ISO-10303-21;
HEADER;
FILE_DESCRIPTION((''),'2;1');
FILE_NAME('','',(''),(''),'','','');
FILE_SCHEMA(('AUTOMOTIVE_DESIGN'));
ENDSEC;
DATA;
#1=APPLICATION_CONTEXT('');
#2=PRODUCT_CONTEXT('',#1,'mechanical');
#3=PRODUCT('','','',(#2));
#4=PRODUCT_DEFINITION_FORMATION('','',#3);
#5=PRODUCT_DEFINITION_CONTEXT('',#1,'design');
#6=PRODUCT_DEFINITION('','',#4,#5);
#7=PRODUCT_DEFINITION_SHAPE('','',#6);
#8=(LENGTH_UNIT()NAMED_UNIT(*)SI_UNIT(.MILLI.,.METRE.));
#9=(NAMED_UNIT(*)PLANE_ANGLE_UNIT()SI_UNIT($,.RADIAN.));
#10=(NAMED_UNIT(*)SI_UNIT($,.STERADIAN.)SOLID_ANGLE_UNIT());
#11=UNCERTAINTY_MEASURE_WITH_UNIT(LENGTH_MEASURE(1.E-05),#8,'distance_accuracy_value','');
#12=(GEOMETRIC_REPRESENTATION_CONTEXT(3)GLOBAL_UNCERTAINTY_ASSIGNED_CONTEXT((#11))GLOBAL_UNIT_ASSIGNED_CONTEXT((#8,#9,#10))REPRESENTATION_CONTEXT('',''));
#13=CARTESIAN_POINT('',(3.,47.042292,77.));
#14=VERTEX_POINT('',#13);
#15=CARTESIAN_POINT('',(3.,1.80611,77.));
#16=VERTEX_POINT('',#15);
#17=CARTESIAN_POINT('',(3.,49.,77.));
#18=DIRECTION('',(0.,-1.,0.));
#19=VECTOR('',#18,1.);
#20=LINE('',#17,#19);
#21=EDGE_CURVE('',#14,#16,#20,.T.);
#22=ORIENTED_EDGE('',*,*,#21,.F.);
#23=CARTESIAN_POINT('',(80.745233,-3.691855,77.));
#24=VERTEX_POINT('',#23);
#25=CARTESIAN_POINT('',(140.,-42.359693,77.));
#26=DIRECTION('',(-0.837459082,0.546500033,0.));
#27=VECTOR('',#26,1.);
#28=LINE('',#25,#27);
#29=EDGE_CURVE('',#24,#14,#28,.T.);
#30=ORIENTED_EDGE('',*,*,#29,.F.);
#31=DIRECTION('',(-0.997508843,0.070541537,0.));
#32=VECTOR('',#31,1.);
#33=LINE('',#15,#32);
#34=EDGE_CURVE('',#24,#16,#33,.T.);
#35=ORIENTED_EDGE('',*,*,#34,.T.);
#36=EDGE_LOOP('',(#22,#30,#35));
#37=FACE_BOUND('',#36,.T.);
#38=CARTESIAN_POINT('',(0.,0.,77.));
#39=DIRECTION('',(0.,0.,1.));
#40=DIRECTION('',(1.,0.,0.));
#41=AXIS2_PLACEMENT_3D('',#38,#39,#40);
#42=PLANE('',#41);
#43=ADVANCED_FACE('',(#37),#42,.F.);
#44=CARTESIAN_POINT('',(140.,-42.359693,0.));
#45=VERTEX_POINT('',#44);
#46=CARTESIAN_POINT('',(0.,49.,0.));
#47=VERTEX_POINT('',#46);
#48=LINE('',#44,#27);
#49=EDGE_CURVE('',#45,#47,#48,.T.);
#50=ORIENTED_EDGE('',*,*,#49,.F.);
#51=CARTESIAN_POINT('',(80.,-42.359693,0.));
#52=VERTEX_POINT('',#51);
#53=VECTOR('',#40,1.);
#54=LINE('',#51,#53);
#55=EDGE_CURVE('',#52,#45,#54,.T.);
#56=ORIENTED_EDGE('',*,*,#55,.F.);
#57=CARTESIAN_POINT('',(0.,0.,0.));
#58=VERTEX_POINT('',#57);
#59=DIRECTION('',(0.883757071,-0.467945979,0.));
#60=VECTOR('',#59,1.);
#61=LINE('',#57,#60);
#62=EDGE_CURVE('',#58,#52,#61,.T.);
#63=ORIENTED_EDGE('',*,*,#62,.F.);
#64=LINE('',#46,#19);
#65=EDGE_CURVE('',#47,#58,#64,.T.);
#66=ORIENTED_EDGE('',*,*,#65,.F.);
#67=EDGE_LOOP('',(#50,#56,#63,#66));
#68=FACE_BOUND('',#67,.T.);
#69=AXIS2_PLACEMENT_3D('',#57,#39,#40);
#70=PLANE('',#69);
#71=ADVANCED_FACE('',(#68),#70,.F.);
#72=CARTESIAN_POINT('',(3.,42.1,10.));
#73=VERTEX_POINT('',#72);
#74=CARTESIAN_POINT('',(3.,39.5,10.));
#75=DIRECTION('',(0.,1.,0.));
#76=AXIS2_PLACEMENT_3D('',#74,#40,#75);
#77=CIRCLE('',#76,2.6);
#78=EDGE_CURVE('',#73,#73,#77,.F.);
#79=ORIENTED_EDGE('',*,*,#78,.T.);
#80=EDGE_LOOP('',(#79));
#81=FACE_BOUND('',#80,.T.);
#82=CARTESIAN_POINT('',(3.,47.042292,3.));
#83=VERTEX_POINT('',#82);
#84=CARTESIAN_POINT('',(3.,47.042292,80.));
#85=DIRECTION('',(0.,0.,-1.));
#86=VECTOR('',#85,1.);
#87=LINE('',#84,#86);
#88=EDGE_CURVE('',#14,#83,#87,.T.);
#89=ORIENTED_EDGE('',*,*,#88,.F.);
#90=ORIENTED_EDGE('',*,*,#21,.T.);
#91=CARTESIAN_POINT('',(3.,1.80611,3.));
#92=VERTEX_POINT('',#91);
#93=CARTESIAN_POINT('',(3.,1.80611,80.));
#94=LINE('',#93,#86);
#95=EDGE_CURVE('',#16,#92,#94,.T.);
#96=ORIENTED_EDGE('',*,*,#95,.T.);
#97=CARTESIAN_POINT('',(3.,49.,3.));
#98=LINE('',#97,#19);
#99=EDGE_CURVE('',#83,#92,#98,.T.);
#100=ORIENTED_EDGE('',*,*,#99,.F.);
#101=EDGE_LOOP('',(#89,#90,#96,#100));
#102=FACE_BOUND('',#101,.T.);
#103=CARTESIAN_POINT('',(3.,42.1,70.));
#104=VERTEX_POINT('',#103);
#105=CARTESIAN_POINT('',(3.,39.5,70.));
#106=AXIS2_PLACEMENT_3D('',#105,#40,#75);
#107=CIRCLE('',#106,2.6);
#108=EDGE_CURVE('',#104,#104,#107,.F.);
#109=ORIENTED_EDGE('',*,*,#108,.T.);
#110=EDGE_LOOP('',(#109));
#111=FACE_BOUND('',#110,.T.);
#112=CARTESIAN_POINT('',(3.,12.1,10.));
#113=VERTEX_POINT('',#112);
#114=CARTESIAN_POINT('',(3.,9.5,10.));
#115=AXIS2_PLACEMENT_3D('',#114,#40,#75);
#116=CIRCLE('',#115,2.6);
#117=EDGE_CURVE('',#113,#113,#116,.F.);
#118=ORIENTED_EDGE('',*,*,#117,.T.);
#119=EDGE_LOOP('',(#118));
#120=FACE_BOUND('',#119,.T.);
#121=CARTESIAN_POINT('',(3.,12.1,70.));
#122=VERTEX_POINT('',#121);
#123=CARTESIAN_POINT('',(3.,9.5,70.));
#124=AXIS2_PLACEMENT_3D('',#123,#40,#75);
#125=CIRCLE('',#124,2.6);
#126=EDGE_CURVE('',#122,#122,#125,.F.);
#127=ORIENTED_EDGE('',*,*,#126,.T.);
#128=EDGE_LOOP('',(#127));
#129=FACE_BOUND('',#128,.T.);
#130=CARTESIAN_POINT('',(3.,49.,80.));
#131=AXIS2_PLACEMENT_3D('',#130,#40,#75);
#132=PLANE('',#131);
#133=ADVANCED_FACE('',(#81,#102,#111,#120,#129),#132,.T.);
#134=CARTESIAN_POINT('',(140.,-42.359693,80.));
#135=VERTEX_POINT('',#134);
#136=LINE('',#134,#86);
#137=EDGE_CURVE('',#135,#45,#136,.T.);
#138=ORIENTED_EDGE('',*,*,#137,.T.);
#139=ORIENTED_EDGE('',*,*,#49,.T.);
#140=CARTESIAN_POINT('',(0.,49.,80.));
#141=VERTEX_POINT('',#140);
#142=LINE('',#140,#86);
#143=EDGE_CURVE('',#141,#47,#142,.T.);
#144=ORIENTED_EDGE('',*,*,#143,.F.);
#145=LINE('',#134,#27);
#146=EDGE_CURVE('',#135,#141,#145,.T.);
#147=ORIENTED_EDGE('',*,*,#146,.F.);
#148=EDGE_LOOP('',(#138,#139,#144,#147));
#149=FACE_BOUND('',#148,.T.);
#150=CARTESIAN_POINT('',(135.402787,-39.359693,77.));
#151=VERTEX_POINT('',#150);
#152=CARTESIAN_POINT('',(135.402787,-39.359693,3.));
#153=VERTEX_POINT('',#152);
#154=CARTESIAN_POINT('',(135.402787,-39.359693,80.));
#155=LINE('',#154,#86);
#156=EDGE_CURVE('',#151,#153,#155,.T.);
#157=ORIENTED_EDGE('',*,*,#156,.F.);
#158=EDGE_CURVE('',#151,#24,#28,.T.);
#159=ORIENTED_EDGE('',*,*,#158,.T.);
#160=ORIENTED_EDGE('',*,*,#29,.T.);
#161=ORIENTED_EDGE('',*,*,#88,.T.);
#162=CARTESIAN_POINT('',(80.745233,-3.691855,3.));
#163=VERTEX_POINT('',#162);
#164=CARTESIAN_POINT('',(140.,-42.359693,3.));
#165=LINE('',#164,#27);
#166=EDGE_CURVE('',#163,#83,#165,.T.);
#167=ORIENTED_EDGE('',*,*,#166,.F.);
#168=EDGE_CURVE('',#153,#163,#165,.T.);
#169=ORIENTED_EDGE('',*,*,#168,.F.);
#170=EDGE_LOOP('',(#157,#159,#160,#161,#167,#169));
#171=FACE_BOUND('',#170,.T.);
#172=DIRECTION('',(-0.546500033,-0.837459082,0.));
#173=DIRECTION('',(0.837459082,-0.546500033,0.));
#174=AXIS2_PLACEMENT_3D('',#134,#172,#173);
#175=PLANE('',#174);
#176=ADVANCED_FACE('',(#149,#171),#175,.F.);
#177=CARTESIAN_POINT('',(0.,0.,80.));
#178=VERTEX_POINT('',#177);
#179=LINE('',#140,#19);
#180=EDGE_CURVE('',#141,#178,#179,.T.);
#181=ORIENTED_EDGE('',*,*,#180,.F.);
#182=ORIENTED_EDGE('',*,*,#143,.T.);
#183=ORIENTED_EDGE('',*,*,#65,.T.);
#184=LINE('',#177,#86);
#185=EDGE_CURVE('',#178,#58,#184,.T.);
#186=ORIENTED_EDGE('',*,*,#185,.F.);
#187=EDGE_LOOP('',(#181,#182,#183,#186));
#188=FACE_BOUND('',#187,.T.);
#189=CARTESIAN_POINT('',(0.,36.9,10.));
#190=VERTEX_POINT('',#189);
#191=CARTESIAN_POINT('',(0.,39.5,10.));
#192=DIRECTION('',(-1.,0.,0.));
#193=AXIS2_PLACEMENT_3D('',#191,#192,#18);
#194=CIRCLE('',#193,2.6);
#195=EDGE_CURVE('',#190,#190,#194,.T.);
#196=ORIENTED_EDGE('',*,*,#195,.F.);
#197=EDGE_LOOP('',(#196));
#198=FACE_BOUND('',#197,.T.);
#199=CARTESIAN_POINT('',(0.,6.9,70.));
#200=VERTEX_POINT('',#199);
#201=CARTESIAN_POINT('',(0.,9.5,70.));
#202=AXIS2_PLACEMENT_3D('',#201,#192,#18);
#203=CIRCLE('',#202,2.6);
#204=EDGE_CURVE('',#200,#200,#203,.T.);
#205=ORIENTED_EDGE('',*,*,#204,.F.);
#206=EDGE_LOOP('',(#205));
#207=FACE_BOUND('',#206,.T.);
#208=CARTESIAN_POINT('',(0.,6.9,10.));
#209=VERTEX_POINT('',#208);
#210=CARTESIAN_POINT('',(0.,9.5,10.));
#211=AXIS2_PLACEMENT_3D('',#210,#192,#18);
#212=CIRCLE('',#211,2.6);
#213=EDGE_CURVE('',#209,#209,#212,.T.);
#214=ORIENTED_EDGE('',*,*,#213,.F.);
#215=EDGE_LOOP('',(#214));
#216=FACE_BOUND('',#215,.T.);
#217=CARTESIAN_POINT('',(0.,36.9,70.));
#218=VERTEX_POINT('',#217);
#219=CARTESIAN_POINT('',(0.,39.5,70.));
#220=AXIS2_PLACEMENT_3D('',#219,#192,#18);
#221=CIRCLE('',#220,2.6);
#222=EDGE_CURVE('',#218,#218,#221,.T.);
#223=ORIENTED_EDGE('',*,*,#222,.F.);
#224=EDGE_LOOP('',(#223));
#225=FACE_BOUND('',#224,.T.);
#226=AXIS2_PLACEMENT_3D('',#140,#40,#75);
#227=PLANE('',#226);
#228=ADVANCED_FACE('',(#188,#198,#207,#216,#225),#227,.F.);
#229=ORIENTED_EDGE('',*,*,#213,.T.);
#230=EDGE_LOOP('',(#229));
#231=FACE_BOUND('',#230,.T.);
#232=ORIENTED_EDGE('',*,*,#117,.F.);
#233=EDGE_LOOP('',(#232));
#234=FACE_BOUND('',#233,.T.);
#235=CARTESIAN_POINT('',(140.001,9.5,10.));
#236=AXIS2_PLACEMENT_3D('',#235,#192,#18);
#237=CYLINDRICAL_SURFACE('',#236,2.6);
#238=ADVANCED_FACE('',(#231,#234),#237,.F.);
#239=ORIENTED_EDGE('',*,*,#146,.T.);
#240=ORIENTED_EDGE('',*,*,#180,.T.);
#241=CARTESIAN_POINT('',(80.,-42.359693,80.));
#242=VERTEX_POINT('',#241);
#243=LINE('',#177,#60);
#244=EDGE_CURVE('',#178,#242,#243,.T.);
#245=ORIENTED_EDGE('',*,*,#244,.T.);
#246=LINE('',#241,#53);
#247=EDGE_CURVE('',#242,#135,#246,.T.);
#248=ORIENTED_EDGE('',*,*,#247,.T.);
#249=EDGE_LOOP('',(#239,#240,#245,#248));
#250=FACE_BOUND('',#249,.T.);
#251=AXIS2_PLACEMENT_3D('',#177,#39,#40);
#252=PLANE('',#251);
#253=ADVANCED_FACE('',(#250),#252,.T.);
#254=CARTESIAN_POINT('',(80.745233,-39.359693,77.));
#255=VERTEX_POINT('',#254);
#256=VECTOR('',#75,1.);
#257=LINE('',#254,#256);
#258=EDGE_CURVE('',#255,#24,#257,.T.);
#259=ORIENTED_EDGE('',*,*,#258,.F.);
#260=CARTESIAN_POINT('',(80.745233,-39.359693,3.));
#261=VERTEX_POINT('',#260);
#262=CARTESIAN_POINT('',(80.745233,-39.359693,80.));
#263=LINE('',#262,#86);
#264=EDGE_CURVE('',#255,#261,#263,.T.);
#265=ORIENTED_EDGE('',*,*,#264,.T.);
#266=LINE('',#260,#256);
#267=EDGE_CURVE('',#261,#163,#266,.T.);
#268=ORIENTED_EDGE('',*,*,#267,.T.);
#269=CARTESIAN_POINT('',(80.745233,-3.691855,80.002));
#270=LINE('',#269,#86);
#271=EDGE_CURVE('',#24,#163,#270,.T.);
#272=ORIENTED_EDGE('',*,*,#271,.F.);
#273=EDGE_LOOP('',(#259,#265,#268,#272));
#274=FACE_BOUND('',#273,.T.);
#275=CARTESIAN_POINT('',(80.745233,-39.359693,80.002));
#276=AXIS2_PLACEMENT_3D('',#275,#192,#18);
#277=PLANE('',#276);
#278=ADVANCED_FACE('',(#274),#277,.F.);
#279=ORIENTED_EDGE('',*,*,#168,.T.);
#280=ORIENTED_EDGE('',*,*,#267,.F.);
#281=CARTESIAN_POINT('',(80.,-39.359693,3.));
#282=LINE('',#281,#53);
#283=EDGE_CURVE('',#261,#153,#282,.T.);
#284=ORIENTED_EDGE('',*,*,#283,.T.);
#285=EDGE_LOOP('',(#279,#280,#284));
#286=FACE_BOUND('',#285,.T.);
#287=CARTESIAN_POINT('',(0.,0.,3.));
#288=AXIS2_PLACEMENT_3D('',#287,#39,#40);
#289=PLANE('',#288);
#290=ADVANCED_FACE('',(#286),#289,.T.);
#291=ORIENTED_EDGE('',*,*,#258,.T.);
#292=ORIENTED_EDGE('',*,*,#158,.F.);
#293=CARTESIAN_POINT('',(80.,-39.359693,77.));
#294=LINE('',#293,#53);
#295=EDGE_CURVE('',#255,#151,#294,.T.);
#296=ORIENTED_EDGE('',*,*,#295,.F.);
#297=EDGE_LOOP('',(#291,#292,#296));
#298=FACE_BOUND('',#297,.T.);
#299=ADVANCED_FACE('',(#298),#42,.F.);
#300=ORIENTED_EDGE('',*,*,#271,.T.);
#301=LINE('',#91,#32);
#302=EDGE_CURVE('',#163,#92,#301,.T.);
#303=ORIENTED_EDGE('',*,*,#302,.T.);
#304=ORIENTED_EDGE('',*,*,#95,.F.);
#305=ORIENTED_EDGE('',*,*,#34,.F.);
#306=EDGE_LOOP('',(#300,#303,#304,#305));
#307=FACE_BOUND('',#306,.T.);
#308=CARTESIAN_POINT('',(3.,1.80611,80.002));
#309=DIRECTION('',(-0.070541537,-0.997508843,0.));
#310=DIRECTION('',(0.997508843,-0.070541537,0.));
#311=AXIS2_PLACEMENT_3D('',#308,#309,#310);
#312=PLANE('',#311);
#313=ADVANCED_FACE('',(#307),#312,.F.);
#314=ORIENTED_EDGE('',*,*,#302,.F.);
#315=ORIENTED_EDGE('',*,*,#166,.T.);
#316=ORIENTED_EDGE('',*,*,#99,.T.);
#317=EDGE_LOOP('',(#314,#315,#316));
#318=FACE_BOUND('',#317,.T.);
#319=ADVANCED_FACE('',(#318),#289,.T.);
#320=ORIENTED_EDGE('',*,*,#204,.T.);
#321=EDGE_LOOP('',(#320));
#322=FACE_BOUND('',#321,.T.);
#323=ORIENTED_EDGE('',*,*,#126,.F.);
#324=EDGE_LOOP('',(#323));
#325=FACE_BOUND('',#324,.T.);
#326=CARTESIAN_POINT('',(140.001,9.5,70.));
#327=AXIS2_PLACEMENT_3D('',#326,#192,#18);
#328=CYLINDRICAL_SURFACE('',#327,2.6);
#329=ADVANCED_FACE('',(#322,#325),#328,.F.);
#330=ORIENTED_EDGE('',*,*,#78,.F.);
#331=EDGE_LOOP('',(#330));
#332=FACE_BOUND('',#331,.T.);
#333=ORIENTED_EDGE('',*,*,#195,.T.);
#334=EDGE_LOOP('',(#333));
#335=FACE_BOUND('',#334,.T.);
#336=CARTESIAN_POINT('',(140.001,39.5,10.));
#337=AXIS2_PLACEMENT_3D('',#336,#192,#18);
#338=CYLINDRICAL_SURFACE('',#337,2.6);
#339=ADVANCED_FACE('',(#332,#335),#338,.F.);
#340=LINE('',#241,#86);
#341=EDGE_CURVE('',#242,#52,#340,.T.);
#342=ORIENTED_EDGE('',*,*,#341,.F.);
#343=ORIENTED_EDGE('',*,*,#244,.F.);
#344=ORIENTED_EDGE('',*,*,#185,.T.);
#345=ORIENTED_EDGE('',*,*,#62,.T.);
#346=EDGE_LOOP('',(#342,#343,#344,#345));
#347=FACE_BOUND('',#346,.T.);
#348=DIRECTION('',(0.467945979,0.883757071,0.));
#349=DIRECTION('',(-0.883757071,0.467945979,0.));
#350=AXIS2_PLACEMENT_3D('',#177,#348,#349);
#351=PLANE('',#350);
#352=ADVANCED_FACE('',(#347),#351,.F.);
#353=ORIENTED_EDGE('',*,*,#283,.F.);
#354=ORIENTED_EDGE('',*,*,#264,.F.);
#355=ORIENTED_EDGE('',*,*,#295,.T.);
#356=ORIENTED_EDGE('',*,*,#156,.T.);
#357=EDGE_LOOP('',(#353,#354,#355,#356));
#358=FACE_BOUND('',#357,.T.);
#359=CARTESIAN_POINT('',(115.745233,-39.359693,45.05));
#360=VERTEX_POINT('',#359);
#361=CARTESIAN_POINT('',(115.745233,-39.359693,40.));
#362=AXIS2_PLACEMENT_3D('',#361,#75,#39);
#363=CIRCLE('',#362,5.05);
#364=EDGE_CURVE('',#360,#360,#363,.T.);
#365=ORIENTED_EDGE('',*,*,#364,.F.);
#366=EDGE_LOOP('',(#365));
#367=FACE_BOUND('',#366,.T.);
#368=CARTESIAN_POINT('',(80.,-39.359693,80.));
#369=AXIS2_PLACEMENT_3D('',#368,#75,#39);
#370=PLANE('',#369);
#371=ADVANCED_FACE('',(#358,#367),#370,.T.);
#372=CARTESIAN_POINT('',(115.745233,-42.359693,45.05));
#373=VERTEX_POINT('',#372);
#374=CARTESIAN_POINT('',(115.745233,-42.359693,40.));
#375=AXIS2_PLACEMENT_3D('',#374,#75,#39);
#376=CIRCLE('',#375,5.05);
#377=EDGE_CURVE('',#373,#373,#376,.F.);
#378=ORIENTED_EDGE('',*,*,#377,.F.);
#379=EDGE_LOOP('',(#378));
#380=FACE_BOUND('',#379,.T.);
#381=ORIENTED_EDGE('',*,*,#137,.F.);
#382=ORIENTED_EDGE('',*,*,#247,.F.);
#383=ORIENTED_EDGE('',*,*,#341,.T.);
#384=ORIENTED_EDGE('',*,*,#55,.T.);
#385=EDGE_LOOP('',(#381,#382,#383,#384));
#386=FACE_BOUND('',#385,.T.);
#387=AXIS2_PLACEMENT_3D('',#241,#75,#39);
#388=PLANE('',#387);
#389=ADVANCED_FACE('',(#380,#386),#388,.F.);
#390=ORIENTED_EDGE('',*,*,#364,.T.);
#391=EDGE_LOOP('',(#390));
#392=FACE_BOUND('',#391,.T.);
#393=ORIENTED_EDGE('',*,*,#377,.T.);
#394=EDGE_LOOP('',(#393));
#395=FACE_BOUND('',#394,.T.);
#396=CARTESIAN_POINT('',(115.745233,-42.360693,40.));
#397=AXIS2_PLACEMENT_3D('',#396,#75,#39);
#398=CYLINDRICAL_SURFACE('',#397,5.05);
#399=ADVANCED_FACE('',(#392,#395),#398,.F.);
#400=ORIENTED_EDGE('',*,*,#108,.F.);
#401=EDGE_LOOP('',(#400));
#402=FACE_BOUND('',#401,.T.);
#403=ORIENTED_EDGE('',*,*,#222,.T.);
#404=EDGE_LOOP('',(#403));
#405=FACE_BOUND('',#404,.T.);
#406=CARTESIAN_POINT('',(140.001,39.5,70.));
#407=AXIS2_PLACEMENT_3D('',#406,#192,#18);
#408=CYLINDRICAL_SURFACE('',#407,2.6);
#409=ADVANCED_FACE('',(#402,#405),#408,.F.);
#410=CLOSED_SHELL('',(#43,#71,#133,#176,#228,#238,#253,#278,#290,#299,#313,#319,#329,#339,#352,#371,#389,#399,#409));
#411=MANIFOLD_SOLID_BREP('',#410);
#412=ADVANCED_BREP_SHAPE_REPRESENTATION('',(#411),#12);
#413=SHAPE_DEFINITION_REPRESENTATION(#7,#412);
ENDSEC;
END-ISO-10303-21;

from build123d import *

# Parameters (mm, degrees)
EXTRUDE_3_DEPTH     = 80
SHELL_14_T          = -3
CUT_EXTRUDE_1_REACH = 170.526
SKETCH_9_R          = 2.6
EXTRUDE_7_REACH     = 169.123
CUT_EXTRUDE_2_REACH = 185.868
SKETCH_24_R         = 5.05


with BuildPart() as part:
    # 草图5 → 凸台-拉伸3 (new body)
    with BuildSketch(Plane.XY):
        Polygon((0, 49), (0, 0), (80, -42.359693068), (140, -42.359693068), align=None)
    extrude(amount=EXTRUDE_3_DEPTH)

    # 抽壳14
    shell_14_openings = [part.faces().sort_by_distance(p)[0] for p in [
        (70, 3.320153466, 40),
    ]]
    offset(amount=SHELL_14_T, openings=shell_14_openings, kind=Kind.INTERSECTION)

    # 草图9 → 切除-拉伸1 (cut, up to next)
    with BuildSketch(Plane.ZY, mode=Mode.PRIVATE) as cut_extrude_1_sk1:
        with Locations(Location((70, 9.5, 0), (0, 0, 270))):
            Circle(SKETCH_9_R)
    cut_extrude_1_tool1 = extrude(cut_extrude_1_sk1.sketch, amount=-CUT_EXTRUDE_1_REACH, mode=Mode.PRIVATE) & part.part
    # 草图9 → 切除-拉伸1 (cut, up to next)
    with BuildSketch(Plane.ZY, mode=Mode.PRIVATE) as cut_extrude_1_sk2:
        with Locations(Location((70, 39.5, 0), (0, 0, 270))):
            Circle(SKETCH_9_R)
    cut_extrude_1_tool2 = extrude(cut_extrude_1_sk2.sketch, amount=-CUT_EXTRUDE_1_REACH, mode=Mode.PRIVATE) & part.part
    # 草图9 → 切除-拉伸1 (cut, up to next)
    with BuildSketch(Plane.ZY, mode=Mode.PRIVATE) as cut_extrude_1_sk3:
        with Locations(Location((10, 9.5, 0), (0, 0, 270))):
            Circle(SKETCH_9_R)
    cut_extrude_1_tool3 = extrude(cut_extrude_1_sk3.sketch, amount=-CUT_EXTRUDE_1_REACH, mode=Mode.PRIVATE) & part.part
    # 草图9 → 切除-拉伸1 (cut, up to next)
    with BuildSketch(Plane.ZY, mode=Mode.PRIVATE) as cut_extrude_1_sk4:
        with Locations(Location((10, 39.5, 0), (0, 0, 270))):
            Circle(SKETCH_9_R)
    cut_extrude_1_tool4 = extrude(cut_extrude_1_sk4.sketch, amount=-CUT_EXTRUDE_1_REACH, mode=Mode.PRIVATE) & part.part
    add(cut_extrude_1_tool1.solids().sort_by_distance((0, 9.5, 70))[0], mode=Mode.SUBTRACT)
    add(cut_extrude_1_tool2.solids().sort_by_distance((0, 39.5, 70))[0], mode=Mode.SUBTRACT)
    add(cut_extrude_1_tool3.solids().sort_by_distance((0, 9.5, 10))[0], mode=Mode.SUBTRACT)
    add(cut_extrude_1_tool4.solids().sort_by_distance((0, 39.5, 10))[0], mode=Mode.SUBTRACT)

    # 草图23 → 凸台-拉伸7 (add, up to next)
    with BuildSketch(Plane.XY.offset(3), mode=Mode.PRIVATE) as extrude_7_sk1:
        Polygon((80.745233001, -39.359693068), (80.745233001, -3.691855026), (3, 1.806109525), align=None)
    extrude_7_tool1 = extrude(extrude_7_sk1.sketch, amount=EXTRUDE_7_REACH, mode=Mode.PRIVATE) - part.part
    add(extrude_7_tool1.solids().sort_by_distance((54.830155, -13.74848, 3))[0])

    # 草图24 → 切除-拉伸2 (cut, up to next)
    with BuildSketch(Plane(origin=(0, -39.359693068, 0), x_dir=(1, 0, 0), z_dir=(0, 1, 0)), mode=Mode.PRIVATE) as cut_extrude_2_sk1:
        with Locations(Location((115.745233001, -40, 0), (0, 0, 270))):
            Circle(SKETCH_24_R)
    cut_extrude_2_tool1 = extrude(cut_extrude_2_sk1.sketch, amount=-CUT_EXTRUDE_2_REACH, mode=Mode.PRIVATE) & part.part
    add(cut_extrude_2_tool1.solids().sort_by_distance((115.745233, -39.359693, 40))[0], mode=Mode.SUBTRACT)


solid = part.part
